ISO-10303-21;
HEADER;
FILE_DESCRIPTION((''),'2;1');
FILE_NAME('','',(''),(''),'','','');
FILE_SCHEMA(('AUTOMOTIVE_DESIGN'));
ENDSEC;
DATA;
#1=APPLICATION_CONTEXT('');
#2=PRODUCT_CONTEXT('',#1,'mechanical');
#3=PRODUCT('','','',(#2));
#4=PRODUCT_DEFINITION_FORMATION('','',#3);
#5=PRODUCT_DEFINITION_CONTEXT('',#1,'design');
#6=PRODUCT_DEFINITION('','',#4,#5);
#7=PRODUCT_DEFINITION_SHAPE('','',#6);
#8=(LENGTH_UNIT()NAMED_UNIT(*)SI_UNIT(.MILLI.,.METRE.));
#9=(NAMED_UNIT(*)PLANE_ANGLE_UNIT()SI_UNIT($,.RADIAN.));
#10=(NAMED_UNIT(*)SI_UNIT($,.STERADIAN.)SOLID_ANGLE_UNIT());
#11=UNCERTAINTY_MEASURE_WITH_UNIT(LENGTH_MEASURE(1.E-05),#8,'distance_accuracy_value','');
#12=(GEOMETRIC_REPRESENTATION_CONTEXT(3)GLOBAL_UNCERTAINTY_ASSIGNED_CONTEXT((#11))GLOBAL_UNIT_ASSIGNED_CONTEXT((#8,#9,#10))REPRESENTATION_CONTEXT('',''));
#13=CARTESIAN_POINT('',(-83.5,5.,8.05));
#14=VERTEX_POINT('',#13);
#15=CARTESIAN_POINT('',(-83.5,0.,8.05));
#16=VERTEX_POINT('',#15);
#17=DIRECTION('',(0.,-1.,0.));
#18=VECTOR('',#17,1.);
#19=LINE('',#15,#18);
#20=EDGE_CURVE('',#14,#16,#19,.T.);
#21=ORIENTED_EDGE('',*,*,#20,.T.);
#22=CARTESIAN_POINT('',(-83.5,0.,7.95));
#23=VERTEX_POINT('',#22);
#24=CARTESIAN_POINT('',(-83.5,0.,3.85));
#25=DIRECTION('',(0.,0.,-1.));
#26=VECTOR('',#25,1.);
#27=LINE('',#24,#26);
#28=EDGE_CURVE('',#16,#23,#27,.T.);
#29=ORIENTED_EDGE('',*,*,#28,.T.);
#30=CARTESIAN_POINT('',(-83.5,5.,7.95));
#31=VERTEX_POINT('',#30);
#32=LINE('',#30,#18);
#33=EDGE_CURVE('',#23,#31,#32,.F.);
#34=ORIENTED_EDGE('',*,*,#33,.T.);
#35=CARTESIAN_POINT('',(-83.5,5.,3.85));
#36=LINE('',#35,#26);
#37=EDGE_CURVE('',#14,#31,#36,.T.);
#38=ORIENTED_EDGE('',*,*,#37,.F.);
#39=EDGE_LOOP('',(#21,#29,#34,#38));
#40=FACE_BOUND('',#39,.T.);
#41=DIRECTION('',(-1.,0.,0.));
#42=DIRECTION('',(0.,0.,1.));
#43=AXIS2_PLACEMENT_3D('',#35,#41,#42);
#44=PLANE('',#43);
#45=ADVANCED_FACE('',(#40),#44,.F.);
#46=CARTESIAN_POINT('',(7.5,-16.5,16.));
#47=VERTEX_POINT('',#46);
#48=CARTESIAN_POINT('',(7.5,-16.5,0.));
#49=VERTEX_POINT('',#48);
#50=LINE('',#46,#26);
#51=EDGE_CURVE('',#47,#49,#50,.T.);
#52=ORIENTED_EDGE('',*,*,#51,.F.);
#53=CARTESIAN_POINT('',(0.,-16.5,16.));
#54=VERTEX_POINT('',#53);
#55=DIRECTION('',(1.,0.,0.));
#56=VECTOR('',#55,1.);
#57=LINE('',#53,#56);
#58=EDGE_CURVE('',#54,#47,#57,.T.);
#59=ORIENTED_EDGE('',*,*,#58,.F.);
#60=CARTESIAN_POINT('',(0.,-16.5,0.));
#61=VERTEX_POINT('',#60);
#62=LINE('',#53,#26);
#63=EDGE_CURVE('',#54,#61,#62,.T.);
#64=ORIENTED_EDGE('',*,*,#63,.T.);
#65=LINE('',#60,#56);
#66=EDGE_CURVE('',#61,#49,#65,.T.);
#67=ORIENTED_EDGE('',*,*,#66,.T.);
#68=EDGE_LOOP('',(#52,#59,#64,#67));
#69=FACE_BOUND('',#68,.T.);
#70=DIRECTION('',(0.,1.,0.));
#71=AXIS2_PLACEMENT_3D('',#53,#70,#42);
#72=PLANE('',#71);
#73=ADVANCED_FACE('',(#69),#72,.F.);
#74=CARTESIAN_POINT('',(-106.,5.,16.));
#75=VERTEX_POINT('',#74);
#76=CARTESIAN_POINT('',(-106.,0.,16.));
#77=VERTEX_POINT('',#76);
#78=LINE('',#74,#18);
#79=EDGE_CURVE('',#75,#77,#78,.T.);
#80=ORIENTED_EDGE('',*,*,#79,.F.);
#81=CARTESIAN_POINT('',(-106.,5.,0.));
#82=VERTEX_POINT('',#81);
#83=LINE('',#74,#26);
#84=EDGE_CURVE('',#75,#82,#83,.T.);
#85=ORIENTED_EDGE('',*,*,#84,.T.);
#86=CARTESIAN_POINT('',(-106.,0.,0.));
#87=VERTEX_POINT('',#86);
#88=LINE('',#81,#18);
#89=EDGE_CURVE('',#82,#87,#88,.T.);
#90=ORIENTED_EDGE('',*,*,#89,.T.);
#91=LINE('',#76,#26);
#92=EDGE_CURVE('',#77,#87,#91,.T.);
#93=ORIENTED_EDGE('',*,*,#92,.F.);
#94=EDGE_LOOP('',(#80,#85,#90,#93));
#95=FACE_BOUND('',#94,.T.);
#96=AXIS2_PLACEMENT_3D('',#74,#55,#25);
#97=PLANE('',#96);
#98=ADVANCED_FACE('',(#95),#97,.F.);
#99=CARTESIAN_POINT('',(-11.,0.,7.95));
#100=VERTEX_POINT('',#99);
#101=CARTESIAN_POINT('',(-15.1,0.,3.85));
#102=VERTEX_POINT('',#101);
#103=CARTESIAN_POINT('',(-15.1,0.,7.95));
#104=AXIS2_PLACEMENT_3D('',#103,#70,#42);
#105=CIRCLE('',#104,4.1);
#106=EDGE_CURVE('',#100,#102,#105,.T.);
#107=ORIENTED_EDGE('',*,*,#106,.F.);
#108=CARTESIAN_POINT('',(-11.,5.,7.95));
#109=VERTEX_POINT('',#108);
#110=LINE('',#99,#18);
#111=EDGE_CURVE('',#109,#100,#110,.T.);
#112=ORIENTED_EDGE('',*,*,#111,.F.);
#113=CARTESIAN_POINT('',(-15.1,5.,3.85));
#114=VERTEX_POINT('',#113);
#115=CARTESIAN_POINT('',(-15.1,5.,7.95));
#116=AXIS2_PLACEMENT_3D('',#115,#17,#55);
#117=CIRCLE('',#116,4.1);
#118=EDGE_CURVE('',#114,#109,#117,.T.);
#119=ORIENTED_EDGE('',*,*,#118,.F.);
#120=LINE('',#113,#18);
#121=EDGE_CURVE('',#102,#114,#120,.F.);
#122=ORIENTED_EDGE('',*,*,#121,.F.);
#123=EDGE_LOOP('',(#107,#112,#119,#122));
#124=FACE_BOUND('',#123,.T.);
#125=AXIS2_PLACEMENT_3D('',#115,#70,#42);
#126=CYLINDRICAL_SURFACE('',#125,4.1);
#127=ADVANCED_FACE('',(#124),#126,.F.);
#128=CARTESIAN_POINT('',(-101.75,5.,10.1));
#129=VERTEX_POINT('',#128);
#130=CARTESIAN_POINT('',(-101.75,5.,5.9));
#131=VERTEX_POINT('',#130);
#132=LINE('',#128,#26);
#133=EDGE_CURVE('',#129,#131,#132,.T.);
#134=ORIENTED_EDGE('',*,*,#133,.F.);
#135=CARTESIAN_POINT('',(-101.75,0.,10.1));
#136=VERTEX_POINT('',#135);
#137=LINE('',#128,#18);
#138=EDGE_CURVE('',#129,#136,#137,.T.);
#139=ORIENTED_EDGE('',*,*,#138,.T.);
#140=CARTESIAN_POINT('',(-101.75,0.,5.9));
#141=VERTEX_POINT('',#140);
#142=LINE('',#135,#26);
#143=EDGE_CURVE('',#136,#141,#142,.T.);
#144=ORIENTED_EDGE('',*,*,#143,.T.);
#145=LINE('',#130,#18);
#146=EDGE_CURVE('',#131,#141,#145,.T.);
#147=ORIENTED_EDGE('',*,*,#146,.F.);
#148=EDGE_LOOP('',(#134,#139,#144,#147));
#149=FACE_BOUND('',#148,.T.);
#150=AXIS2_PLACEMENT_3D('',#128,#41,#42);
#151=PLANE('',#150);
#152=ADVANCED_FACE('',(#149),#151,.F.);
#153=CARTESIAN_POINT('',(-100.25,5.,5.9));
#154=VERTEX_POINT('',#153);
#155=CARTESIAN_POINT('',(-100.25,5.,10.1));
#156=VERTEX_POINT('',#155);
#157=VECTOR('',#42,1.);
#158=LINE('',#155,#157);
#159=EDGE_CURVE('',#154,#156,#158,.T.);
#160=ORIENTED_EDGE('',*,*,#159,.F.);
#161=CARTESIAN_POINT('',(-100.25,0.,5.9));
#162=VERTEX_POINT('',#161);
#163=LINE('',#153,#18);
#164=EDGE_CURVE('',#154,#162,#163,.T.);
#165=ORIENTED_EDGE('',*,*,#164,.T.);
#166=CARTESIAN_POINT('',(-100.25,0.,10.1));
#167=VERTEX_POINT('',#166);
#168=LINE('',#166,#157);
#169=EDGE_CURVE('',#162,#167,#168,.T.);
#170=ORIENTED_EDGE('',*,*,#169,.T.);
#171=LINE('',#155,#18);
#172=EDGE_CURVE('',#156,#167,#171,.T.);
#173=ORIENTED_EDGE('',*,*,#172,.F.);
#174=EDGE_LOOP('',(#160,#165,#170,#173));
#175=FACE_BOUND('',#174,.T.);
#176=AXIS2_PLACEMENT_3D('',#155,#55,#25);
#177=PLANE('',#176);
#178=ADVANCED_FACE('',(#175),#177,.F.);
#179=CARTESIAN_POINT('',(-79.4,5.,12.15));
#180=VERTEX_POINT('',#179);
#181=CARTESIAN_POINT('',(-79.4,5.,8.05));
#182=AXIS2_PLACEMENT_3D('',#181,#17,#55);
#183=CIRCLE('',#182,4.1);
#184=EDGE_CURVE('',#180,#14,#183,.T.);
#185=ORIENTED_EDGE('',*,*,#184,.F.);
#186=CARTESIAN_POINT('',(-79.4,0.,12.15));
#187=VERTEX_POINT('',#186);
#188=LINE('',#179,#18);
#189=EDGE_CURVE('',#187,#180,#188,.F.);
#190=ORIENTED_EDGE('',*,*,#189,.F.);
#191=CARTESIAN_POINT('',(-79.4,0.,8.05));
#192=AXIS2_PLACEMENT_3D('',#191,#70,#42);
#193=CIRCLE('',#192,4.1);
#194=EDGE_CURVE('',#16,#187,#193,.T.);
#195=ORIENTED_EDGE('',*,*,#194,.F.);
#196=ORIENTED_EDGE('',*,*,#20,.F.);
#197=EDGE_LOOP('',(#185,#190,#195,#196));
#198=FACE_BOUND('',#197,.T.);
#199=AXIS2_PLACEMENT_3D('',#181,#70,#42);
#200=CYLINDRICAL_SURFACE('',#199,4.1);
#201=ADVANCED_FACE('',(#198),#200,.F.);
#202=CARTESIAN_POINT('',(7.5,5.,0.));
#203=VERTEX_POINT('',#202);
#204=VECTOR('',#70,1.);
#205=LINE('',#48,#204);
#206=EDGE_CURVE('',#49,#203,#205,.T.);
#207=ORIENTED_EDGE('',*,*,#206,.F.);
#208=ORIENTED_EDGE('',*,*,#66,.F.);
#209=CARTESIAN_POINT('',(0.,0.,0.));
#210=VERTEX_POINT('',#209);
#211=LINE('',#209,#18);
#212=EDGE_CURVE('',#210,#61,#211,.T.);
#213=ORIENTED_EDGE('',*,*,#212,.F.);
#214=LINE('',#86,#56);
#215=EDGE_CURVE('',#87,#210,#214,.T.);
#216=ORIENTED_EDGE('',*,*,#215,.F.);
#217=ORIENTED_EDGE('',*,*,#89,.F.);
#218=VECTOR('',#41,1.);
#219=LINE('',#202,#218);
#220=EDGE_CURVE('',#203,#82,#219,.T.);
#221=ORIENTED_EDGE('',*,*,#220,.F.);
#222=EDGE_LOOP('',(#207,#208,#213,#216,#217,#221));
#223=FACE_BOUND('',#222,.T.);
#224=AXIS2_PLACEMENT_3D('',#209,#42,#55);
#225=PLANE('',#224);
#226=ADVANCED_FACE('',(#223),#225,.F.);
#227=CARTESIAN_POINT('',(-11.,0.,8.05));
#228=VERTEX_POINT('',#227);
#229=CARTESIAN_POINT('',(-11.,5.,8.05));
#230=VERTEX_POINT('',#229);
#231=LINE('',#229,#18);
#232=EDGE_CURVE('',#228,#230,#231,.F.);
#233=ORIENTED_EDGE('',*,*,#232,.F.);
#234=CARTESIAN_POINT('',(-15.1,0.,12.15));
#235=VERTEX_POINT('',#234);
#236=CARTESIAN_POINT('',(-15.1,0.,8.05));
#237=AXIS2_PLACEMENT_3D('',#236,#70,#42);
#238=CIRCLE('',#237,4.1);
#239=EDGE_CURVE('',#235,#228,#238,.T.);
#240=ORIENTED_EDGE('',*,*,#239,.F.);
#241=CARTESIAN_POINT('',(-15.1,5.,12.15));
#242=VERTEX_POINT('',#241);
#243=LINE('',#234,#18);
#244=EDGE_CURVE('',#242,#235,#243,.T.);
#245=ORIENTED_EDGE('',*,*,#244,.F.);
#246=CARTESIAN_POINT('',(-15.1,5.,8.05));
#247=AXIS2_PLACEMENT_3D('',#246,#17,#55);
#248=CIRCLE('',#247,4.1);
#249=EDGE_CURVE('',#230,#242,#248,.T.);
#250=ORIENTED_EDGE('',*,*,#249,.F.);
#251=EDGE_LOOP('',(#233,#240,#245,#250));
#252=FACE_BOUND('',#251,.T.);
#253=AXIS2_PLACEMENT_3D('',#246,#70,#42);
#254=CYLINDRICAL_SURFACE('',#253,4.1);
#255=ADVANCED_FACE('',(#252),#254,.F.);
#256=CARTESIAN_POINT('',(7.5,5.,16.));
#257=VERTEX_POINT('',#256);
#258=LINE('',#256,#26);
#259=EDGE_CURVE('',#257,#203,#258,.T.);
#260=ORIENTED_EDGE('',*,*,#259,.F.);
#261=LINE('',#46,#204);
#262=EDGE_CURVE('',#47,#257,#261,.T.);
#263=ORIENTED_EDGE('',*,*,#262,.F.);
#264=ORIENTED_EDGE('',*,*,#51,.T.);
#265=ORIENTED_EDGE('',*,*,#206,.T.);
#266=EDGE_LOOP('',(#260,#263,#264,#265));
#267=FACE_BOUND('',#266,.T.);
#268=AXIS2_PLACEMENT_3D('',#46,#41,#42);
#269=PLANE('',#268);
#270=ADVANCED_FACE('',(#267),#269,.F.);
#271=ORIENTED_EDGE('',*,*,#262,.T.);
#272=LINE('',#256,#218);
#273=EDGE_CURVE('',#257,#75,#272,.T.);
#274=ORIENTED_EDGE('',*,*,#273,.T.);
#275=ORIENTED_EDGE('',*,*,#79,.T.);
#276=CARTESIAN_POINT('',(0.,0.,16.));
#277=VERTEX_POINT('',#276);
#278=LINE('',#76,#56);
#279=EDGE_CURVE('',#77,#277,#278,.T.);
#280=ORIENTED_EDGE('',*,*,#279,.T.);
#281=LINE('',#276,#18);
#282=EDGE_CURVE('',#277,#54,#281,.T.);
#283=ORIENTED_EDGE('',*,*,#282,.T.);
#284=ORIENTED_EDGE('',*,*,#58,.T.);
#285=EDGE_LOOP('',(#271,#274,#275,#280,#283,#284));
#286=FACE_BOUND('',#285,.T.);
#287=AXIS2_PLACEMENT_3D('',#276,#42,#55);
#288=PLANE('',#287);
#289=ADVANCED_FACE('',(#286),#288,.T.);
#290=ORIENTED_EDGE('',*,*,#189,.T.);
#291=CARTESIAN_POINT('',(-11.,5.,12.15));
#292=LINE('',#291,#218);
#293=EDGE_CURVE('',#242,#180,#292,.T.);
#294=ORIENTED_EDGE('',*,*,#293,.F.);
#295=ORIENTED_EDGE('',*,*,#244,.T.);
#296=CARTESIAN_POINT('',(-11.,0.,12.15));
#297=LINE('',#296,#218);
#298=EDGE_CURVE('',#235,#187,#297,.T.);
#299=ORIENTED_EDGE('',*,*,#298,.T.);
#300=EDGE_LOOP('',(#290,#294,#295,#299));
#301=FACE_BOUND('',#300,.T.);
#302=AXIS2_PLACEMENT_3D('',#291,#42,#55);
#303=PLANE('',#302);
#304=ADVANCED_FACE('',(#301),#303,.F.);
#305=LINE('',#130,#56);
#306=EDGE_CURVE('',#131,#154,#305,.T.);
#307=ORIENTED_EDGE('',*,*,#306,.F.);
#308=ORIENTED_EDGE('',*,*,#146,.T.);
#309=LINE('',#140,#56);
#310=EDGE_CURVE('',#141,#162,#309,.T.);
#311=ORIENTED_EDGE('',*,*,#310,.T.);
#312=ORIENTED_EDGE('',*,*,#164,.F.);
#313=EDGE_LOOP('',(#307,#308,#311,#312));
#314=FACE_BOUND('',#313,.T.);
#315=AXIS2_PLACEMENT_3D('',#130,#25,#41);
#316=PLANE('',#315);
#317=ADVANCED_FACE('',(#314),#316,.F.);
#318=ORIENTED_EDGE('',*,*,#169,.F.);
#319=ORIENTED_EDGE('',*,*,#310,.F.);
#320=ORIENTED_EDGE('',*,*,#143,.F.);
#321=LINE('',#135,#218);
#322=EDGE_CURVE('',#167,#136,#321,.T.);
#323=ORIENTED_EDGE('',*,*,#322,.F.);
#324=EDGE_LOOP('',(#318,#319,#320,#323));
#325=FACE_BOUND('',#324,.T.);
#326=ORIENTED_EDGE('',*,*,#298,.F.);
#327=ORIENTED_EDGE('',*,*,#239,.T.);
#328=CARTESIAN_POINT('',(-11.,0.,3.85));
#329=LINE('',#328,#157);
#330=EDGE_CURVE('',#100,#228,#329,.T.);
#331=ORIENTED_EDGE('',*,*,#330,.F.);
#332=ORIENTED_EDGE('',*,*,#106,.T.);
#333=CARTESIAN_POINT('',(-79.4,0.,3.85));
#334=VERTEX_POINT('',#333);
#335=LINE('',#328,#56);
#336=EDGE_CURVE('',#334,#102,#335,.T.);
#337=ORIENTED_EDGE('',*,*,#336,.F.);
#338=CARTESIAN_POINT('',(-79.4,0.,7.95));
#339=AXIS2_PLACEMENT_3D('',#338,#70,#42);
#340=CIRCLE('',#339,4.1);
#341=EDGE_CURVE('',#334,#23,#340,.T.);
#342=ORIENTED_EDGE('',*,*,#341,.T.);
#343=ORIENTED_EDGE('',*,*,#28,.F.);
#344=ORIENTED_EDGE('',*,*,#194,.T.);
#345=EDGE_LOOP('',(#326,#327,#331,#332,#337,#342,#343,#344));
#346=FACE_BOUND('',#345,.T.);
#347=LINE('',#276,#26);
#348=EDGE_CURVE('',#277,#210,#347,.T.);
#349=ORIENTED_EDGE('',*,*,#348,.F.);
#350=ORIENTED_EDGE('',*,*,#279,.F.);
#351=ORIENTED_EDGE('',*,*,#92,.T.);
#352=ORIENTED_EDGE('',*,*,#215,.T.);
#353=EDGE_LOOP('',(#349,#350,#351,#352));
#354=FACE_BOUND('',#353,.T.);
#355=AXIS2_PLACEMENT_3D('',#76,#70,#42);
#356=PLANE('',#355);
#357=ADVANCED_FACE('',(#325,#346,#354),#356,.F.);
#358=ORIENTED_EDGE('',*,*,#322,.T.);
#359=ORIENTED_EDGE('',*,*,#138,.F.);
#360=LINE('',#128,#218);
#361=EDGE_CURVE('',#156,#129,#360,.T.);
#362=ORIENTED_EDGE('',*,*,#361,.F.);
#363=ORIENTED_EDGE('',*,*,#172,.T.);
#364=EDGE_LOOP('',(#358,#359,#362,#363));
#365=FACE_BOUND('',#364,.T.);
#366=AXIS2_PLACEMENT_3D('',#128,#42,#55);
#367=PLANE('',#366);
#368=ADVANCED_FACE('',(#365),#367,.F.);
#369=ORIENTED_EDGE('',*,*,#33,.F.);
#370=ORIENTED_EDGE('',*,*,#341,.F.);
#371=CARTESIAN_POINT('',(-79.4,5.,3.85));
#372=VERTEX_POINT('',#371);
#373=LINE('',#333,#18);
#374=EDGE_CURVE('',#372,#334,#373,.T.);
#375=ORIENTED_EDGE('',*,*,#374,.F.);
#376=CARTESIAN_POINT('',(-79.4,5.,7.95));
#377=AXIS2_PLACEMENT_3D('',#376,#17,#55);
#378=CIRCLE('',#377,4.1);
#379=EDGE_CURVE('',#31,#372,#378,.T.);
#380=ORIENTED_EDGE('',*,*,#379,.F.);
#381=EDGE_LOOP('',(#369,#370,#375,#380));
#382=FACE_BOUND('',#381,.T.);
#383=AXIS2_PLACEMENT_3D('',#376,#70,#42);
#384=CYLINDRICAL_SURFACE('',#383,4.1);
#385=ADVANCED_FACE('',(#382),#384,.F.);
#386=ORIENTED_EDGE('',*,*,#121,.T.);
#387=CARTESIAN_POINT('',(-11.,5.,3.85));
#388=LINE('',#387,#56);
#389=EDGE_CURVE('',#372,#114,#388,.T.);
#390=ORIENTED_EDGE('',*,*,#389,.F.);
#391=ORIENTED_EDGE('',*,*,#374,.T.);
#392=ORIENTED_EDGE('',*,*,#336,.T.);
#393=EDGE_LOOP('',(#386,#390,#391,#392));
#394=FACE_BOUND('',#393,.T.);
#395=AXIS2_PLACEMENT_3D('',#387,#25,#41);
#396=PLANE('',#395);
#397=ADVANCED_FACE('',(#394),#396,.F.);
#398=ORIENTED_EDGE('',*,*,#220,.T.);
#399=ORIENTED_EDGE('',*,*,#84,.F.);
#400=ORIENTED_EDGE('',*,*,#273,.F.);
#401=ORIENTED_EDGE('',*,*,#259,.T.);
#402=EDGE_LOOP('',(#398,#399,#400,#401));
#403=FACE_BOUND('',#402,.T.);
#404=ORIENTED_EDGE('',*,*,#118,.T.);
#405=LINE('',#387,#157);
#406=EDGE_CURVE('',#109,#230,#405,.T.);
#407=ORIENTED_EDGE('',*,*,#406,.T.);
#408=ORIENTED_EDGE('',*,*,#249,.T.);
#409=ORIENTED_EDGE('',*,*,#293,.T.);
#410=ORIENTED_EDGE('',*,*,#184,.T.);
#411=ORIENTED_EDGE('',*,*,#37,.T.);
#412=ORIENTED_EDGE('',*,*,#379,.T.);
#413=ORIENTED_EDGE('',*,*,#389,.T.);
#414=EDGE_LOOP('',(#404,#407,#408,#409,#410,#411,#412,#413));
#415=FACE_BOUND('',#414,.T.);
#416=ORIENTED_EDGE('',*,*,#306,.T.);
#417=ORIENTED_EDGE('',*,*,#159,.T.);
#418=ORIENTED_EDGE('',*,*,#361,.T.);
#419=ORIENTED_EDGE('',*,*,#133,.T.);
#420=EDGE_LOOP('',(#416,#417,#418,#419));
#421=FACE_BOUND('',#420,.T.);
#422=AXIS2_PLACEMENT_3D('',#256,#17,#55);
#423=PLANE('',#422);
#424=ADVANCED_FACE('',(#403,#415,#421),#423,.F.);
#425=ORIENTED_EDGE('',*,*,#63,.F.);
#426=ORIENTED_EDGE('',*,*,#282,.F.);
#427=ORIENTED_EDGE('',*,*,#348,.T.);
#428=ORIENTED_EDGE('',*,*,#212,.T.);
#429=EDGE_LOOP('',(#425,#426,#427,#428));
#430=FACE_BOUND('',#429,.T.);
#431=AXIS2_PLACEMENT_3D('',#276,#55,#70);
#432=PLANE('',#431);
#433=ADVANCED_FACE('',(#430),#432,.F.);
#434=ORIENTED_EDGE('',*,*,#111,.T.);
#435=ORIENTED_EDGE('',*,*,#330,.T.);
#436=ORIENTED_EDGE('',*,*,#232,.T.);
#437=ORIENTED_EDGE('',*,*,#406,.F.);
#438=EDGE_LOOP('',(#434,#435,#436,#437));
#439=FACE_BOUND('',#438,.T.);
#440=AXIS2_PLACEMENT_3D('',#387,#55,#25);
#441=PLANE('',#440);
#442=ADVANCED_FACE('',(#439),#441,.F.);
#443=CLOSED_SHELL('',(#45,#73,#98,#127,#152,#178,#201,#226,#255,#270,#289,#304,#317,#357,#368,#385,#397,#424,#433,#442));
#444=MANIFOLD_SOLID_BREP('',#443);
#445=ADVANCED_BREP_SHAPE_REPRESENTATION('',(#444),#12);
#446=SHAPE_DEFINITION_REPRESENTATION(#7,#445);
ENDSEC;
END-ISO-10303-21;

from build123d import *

# Parameters (mm, degrees)
EXTRUDE_1_DEPTH     = 16
SKETCH_2_W          = 1.5
SKETCH_2_H          = 4.2
SKETCH_2_W_2        = 72.5
SKETCH_2_H_2        = 8.3
CUT_EXTRUDE_1_DEPTH = 109.463127375
FILLET_1_R          = 4.1


with BuildPart() as part:
    # 스케치1 → 보스-돌출1 (new body)
    with BuildSketch(Plane.XY):
        Polygon((-106, 0), (0, 0), (0, -16.5), (7.5, -16.5), (7.5, 5), (-106, 5), align=None)
    extrude(amount=EXTRUDE_1_DEPTH)

    # 스케치2 → 컷-돌출1 (cut, through all)
    with BuildSketch(Plane.XZ):
        with Locations((-101, 8)):
            Rectangle(SKETCH_2_W, SKETCH_2_H)
        with Locations((-47.25, 8)):
            Rectangle(SKETCH_2_W_2, SKETCH_2_H_2)
    extrude(amount=-CUT_EXTRUDE_1_DEPTH, mode=Mode.SUBTRACT)

    # 필렛1
    fillet_1_edges = [part.edges().sort_by_distance(p)[0] for p in [
        (-83.5, 2.5, 3.85),
        (-83.5, 2.5, 12.15),
        (-11, 2.5, 12.15),
        (-11, 2.5, 3.85),
    ]]
    fillet(fillet_1_edges, radius=FILLET_1_R)


solid = part.part
